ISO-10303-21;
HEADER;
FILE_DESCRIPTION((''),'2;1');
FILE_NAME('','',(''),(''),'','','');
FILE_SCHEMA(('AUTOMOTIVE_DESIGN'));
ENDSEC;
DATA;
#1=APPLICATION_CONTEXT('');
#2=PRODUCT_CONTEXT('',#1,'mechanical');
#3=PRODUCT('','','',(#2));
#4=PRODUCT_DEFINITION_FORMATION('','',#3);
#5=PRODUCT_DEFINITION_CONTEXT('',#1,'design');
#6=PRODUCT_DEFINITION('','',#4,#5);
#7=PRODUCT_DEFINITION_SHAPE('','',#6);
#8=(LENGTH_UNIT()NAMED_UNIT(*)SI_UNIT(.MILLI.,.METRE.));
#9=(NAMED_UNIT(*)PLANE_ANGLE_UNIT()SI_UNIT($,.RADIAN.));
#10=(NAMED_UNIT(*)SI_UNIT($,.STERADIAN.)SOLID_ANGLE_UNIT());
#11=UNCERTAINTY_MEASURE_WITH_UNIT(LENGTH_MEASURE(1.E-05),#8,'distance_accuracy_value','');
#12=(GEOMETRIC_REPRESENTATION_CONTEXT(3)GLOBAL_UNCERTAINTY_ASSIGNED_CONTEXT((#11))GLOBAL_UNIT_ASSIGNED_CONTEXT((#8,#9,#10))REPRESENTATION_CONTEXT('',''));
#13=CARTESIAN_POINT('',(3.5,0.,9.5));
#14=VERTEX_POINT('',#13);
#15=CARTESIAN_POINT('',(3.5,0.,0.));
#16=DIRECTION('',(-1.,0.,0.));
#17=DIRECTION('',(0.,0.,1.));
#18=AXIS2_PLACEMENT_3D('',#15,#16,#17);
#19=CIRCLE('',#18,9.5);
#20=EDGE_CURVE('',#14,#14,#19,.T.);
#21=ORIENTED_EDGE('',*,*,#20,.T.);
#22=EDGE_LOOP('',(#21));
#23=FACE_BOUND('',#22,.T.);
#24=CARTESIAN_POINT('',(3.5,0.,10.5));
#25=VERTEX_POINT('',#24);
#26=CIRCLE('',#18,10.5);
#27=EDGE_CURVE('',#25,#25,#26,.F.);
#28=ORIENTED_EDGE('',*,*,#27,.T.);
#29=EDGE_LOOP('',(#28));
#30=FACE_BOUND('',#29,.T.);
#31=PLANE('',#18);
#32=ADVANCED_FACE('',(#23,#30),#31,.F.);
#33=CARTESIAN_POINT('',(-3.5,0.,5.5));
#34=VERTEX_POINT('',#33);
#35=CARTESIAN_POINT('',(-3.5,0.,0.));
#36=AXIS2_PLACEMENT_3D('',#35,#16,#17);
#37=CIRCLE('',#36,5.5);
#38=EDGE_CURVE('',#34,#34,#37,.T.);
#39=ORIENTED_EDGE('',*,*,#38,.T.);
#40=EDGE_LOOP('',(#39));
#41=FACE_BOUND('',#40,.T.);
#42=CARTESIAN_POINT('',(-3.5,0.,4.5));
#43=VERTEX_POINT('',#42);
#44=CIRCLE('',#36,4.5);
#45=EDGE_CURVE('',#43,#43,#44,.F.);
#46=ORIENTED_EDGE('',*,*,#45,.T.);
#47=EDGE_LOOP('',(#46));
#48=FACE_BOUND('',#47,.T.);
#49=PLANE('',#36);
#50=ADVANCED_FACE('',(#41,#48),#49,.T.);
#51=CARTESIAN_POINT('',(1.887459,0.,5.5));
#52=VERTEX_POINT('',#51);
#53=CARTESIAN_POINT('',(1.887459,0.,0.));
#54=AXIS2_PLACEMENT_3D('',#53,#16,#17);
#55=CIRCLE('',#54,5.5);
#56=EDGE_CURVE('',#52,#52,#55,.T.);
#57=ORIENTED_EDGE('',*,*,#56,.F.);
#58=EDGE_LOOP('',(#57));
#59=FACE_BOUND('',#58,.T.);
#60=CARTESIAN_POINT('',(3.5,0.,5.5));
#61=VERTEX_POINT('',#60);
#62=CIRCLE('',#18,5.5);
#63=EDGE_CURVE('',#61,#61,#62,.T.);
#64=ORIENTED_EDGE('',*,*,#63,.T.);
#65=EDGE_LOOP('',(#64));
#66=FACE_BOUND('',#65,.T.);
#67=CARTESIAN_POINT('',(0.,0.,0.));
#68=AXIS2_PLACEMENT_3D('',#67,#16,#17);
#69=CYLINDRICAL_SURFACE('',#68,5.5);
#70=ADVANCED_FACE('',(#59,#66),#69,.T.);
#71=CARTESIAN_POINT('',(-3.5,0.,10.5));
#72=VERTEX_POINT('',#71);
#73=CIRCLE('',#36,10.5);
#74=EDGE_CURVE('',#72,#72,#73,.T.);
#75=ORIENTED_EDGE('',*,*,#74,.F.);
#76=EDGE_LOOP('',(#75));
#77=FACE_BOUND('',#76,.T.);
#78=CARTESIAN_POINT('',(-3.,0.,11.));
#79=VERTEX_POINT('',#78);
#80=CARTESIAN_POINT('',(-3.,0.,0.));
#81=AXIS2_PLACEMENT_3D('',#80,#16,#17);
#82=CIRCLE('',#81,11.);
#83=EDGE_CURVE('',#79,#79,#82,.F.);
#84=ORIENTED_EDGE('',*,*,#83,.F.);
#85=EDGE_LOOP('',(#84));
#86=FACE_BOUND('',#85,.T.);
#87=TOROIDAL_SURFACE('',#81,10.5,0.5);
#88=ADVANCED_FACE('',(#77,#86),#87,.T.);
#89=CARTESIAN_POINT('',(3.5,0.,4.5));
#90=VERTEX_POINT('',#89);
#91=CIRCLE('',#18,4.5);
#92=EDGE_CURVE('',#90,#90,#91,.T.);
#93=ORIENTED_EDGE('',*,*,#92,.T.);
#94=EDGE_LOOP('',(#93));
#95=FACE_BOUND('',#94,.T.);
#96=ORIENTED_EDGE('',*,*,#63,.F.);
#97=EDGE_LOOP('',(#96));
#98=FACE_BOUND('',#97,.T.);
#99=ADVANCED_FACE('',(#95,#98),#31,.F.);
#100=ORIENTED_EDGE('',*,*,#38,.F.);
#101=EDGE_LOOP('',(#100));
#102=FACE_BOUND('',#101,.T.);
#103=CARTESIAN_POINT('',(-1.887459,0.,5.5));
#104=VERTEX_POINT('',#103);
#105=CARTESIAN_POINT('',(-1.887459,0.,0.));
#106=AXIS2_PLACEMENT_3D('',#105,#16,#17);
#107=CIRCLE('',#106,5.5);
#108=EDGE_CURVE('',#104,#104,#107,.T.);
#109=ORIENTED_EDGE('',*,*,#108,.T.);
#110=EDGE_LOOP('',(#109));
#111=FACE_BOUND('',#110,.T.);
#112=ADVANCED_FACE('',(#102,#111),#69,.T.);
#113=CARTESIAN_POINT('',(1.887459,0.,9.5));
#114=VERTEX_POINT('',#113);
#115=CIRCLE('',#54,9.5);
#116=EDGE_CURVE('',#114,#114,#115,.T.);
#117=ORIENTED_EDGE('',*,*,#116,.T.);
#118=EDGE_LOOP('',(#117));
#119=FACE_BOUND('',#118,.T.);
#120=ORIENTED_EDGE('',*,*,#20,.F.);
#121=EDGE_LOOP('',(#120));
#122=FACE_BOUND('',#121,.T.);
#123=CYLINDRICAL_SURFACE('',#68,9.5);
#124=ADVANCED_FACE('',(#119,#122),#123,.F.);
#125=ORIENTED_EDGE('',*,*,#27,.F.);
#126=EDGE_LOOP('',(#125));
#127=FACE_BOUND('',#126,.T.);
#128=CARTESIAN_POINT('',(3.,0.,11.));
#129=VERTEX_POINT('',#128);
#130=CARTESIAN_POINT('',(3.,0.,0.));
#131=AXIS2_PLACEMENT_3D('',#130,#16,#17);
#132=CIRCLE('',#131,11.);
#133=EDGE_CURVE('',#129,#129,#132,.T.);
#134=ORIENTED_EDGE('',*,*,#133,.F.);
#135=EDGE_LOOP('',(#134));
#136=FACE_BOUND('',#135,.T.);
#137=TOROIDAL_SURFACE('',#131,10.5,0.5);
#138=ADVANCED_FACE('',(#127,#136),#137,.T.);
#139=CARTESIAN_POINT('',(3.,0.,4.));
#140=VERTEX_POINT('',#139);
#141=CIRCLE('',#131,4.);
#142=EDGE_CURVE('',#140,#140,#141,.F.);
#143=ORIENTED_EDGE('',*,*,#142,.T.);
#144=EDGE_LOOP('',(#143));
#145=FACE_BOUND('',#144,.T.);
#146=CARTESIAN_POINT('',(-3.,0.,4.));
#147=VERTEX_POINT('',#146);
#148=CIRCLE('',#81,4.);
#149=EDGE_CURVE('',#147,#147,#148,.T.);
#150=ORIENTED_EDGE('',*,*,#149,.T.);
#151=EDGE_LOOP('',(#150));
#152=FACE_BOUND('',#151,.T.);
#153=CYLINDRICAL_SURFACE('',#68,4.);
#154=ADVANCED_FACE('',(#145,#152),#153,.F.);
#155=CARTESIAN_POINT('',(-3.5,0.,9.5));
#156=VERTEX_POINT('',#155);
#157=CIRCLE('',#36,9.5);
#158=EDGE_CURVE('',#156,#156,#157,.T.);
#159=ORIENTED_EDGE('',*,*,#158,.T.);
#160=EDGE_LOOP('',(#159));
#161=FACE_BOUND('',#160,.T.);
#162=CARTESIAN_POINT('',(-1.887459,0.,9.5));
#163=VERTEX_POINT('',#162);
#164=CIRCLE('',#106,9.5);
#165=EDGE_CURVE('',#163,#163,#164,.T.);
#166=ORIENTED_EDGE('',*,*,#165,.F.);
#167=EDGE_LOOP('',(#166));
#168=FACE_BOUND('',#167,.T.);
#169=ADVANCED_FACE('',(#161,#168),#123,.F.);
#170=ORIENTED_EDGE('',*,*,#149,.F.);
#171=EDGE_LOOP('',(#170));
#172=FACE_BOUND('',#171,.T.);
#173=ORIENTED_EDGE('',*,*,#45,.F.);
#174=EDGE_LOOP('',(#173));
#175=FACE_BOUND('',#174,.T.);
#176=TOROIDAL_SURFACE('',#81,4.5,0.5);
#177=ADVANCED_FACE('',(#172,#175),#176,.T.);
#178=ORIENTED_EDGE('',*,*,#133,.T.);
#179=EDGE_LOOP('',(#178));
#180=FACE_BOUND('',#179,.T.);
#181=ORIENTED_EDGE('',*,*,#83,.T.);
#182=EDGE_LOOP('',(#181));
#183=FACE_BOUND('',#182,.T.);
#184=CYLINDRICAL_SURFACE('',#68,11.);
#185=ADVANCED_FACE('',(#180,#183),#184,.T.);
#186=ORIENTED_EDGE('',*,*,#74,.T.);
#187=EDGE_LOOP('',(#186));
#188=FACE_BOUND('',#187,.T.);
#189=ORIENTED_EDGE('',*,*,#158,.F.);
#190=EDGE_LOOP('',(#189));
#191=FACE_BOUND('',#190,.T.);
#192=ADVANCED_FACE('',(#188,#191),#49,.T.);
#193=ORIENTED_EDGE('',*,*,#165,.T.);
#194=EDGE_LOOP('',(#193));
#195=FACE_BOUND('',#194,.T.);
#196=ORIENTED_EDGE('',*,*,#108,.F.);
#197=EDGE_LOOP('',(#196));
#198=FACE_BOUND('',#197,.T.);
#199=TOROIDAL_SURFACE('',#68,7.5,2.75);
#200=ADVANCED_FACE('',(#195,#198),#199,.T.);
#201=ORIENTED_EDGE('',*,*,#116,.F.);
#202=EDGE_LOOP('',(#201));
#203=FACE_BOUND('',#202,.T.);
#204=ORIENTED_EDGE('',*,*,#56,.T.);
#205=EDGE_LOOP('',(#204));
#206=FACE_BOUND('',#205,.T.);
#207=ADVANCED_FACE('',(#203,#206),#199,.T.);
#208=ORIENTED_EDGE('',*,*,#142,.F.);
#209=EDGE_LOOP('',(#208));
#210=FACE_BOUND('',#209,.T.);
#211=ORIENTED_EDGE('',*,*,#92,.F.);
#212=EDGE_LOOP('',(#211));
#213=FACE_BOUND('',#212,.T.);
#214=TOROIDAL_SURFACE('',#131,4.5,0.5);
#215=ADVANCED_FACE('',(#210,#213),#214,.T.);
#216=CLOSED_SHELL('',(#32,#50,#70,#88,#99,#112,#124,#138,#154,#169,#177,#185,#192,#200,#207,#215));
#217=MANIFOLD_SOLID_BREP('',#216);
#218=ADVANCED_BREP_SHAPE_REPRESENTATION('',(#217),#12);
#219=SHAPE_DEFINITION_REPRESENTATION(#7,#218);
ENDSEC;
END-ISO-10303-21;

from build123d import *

# Parameters (mm, degrees)
FILETE1_R = 0.5


with BuildPart() as part:
    # Esboço1 → Revolução1 (revolve)
    with BuildSketch(Plane.XY, mode=Mode.PRIVATE) as revolu_o1_sk:
        with BuildLine():
            Line((-3.5, 11), (-3.5, 9.5))
            Line((-3.5, 9.5), (-1.887458609, 9.5))
            ThreePointArc((-1.887458609, 9.5), (0, 10.25), (1.887458609, 9.5))
            Line((1.887458609, 9.5), (3.5, 9.5))
            Line((3.5, 9.5), (3.5, 11))
            Line((3.5, 11), (-3.5, 11))
        make_face()
        with BuildLine():
            ThreePointArc((1.887458609, 9.5), (0, 10.25), (-1.887458609, 9.5))
            Line((-1.887458609, 9.5), (1.887458609, 9.5))
        make_face()
        with BuildLine():
            Line((1.887458609, 9.5), (-1.887458609, 9.5))
            ThreePointArc((-1.887458609, 9.5), (-2.75, 7.5), (-1.887458609, 5.5))
            Line((-1.887458609, 5.5), (1.887458609, 5.5))
            ThreePointArc((1.887458609, 5.5), (2.525174368, 6.410966294), (2.75, 7.5))
            ThreePointArc((2.75, 7.5), (2.525174368, 8.589033706), (1.887458609, 9.5))
        make_face()
        with BuildLine():
            Line((1.887458609, 5.5), (-1.887458609, 5.5))
            ThreePointArc((-1.887458609, 5.5), (0, 4.75), (1.887458609, 5.5))
        make_face()
        with BuildLine():
            Line((-1.887458609, 5.5), (-3.5, 5.5))
            Line((-3.5, 5.5), (-3.5, 4))
            Line((-3.5, 4), (3.5, 4))
            Line((3.5, 4), (3.5, 5.5))
            Line((3.5, 5.5), (1.887458609, 5.5))
            ThreePointArc((1.887458609, 5.5), (0, 4.75), (-1.887458609, 5.5))
        make_face()
    revolve(revolu_o1_sk.sketch.rotate(Axis((0, 0, 0), (1, 0, 0)), 90), axis=Axis((0, 0, 0), (1, 0, 0)))

    # Filete1
    filete1_edges = [part.edges().sort_by_distance(p)[0] for p in [
        (-3.5, 0, -11),
        (3.5, 0, -11),
        (3.5, 0, -4),
        (-3.5, 0, -4),
    ]]
    fillet(filete1_edges, radius=FILETE1_R)


solid = part.part
